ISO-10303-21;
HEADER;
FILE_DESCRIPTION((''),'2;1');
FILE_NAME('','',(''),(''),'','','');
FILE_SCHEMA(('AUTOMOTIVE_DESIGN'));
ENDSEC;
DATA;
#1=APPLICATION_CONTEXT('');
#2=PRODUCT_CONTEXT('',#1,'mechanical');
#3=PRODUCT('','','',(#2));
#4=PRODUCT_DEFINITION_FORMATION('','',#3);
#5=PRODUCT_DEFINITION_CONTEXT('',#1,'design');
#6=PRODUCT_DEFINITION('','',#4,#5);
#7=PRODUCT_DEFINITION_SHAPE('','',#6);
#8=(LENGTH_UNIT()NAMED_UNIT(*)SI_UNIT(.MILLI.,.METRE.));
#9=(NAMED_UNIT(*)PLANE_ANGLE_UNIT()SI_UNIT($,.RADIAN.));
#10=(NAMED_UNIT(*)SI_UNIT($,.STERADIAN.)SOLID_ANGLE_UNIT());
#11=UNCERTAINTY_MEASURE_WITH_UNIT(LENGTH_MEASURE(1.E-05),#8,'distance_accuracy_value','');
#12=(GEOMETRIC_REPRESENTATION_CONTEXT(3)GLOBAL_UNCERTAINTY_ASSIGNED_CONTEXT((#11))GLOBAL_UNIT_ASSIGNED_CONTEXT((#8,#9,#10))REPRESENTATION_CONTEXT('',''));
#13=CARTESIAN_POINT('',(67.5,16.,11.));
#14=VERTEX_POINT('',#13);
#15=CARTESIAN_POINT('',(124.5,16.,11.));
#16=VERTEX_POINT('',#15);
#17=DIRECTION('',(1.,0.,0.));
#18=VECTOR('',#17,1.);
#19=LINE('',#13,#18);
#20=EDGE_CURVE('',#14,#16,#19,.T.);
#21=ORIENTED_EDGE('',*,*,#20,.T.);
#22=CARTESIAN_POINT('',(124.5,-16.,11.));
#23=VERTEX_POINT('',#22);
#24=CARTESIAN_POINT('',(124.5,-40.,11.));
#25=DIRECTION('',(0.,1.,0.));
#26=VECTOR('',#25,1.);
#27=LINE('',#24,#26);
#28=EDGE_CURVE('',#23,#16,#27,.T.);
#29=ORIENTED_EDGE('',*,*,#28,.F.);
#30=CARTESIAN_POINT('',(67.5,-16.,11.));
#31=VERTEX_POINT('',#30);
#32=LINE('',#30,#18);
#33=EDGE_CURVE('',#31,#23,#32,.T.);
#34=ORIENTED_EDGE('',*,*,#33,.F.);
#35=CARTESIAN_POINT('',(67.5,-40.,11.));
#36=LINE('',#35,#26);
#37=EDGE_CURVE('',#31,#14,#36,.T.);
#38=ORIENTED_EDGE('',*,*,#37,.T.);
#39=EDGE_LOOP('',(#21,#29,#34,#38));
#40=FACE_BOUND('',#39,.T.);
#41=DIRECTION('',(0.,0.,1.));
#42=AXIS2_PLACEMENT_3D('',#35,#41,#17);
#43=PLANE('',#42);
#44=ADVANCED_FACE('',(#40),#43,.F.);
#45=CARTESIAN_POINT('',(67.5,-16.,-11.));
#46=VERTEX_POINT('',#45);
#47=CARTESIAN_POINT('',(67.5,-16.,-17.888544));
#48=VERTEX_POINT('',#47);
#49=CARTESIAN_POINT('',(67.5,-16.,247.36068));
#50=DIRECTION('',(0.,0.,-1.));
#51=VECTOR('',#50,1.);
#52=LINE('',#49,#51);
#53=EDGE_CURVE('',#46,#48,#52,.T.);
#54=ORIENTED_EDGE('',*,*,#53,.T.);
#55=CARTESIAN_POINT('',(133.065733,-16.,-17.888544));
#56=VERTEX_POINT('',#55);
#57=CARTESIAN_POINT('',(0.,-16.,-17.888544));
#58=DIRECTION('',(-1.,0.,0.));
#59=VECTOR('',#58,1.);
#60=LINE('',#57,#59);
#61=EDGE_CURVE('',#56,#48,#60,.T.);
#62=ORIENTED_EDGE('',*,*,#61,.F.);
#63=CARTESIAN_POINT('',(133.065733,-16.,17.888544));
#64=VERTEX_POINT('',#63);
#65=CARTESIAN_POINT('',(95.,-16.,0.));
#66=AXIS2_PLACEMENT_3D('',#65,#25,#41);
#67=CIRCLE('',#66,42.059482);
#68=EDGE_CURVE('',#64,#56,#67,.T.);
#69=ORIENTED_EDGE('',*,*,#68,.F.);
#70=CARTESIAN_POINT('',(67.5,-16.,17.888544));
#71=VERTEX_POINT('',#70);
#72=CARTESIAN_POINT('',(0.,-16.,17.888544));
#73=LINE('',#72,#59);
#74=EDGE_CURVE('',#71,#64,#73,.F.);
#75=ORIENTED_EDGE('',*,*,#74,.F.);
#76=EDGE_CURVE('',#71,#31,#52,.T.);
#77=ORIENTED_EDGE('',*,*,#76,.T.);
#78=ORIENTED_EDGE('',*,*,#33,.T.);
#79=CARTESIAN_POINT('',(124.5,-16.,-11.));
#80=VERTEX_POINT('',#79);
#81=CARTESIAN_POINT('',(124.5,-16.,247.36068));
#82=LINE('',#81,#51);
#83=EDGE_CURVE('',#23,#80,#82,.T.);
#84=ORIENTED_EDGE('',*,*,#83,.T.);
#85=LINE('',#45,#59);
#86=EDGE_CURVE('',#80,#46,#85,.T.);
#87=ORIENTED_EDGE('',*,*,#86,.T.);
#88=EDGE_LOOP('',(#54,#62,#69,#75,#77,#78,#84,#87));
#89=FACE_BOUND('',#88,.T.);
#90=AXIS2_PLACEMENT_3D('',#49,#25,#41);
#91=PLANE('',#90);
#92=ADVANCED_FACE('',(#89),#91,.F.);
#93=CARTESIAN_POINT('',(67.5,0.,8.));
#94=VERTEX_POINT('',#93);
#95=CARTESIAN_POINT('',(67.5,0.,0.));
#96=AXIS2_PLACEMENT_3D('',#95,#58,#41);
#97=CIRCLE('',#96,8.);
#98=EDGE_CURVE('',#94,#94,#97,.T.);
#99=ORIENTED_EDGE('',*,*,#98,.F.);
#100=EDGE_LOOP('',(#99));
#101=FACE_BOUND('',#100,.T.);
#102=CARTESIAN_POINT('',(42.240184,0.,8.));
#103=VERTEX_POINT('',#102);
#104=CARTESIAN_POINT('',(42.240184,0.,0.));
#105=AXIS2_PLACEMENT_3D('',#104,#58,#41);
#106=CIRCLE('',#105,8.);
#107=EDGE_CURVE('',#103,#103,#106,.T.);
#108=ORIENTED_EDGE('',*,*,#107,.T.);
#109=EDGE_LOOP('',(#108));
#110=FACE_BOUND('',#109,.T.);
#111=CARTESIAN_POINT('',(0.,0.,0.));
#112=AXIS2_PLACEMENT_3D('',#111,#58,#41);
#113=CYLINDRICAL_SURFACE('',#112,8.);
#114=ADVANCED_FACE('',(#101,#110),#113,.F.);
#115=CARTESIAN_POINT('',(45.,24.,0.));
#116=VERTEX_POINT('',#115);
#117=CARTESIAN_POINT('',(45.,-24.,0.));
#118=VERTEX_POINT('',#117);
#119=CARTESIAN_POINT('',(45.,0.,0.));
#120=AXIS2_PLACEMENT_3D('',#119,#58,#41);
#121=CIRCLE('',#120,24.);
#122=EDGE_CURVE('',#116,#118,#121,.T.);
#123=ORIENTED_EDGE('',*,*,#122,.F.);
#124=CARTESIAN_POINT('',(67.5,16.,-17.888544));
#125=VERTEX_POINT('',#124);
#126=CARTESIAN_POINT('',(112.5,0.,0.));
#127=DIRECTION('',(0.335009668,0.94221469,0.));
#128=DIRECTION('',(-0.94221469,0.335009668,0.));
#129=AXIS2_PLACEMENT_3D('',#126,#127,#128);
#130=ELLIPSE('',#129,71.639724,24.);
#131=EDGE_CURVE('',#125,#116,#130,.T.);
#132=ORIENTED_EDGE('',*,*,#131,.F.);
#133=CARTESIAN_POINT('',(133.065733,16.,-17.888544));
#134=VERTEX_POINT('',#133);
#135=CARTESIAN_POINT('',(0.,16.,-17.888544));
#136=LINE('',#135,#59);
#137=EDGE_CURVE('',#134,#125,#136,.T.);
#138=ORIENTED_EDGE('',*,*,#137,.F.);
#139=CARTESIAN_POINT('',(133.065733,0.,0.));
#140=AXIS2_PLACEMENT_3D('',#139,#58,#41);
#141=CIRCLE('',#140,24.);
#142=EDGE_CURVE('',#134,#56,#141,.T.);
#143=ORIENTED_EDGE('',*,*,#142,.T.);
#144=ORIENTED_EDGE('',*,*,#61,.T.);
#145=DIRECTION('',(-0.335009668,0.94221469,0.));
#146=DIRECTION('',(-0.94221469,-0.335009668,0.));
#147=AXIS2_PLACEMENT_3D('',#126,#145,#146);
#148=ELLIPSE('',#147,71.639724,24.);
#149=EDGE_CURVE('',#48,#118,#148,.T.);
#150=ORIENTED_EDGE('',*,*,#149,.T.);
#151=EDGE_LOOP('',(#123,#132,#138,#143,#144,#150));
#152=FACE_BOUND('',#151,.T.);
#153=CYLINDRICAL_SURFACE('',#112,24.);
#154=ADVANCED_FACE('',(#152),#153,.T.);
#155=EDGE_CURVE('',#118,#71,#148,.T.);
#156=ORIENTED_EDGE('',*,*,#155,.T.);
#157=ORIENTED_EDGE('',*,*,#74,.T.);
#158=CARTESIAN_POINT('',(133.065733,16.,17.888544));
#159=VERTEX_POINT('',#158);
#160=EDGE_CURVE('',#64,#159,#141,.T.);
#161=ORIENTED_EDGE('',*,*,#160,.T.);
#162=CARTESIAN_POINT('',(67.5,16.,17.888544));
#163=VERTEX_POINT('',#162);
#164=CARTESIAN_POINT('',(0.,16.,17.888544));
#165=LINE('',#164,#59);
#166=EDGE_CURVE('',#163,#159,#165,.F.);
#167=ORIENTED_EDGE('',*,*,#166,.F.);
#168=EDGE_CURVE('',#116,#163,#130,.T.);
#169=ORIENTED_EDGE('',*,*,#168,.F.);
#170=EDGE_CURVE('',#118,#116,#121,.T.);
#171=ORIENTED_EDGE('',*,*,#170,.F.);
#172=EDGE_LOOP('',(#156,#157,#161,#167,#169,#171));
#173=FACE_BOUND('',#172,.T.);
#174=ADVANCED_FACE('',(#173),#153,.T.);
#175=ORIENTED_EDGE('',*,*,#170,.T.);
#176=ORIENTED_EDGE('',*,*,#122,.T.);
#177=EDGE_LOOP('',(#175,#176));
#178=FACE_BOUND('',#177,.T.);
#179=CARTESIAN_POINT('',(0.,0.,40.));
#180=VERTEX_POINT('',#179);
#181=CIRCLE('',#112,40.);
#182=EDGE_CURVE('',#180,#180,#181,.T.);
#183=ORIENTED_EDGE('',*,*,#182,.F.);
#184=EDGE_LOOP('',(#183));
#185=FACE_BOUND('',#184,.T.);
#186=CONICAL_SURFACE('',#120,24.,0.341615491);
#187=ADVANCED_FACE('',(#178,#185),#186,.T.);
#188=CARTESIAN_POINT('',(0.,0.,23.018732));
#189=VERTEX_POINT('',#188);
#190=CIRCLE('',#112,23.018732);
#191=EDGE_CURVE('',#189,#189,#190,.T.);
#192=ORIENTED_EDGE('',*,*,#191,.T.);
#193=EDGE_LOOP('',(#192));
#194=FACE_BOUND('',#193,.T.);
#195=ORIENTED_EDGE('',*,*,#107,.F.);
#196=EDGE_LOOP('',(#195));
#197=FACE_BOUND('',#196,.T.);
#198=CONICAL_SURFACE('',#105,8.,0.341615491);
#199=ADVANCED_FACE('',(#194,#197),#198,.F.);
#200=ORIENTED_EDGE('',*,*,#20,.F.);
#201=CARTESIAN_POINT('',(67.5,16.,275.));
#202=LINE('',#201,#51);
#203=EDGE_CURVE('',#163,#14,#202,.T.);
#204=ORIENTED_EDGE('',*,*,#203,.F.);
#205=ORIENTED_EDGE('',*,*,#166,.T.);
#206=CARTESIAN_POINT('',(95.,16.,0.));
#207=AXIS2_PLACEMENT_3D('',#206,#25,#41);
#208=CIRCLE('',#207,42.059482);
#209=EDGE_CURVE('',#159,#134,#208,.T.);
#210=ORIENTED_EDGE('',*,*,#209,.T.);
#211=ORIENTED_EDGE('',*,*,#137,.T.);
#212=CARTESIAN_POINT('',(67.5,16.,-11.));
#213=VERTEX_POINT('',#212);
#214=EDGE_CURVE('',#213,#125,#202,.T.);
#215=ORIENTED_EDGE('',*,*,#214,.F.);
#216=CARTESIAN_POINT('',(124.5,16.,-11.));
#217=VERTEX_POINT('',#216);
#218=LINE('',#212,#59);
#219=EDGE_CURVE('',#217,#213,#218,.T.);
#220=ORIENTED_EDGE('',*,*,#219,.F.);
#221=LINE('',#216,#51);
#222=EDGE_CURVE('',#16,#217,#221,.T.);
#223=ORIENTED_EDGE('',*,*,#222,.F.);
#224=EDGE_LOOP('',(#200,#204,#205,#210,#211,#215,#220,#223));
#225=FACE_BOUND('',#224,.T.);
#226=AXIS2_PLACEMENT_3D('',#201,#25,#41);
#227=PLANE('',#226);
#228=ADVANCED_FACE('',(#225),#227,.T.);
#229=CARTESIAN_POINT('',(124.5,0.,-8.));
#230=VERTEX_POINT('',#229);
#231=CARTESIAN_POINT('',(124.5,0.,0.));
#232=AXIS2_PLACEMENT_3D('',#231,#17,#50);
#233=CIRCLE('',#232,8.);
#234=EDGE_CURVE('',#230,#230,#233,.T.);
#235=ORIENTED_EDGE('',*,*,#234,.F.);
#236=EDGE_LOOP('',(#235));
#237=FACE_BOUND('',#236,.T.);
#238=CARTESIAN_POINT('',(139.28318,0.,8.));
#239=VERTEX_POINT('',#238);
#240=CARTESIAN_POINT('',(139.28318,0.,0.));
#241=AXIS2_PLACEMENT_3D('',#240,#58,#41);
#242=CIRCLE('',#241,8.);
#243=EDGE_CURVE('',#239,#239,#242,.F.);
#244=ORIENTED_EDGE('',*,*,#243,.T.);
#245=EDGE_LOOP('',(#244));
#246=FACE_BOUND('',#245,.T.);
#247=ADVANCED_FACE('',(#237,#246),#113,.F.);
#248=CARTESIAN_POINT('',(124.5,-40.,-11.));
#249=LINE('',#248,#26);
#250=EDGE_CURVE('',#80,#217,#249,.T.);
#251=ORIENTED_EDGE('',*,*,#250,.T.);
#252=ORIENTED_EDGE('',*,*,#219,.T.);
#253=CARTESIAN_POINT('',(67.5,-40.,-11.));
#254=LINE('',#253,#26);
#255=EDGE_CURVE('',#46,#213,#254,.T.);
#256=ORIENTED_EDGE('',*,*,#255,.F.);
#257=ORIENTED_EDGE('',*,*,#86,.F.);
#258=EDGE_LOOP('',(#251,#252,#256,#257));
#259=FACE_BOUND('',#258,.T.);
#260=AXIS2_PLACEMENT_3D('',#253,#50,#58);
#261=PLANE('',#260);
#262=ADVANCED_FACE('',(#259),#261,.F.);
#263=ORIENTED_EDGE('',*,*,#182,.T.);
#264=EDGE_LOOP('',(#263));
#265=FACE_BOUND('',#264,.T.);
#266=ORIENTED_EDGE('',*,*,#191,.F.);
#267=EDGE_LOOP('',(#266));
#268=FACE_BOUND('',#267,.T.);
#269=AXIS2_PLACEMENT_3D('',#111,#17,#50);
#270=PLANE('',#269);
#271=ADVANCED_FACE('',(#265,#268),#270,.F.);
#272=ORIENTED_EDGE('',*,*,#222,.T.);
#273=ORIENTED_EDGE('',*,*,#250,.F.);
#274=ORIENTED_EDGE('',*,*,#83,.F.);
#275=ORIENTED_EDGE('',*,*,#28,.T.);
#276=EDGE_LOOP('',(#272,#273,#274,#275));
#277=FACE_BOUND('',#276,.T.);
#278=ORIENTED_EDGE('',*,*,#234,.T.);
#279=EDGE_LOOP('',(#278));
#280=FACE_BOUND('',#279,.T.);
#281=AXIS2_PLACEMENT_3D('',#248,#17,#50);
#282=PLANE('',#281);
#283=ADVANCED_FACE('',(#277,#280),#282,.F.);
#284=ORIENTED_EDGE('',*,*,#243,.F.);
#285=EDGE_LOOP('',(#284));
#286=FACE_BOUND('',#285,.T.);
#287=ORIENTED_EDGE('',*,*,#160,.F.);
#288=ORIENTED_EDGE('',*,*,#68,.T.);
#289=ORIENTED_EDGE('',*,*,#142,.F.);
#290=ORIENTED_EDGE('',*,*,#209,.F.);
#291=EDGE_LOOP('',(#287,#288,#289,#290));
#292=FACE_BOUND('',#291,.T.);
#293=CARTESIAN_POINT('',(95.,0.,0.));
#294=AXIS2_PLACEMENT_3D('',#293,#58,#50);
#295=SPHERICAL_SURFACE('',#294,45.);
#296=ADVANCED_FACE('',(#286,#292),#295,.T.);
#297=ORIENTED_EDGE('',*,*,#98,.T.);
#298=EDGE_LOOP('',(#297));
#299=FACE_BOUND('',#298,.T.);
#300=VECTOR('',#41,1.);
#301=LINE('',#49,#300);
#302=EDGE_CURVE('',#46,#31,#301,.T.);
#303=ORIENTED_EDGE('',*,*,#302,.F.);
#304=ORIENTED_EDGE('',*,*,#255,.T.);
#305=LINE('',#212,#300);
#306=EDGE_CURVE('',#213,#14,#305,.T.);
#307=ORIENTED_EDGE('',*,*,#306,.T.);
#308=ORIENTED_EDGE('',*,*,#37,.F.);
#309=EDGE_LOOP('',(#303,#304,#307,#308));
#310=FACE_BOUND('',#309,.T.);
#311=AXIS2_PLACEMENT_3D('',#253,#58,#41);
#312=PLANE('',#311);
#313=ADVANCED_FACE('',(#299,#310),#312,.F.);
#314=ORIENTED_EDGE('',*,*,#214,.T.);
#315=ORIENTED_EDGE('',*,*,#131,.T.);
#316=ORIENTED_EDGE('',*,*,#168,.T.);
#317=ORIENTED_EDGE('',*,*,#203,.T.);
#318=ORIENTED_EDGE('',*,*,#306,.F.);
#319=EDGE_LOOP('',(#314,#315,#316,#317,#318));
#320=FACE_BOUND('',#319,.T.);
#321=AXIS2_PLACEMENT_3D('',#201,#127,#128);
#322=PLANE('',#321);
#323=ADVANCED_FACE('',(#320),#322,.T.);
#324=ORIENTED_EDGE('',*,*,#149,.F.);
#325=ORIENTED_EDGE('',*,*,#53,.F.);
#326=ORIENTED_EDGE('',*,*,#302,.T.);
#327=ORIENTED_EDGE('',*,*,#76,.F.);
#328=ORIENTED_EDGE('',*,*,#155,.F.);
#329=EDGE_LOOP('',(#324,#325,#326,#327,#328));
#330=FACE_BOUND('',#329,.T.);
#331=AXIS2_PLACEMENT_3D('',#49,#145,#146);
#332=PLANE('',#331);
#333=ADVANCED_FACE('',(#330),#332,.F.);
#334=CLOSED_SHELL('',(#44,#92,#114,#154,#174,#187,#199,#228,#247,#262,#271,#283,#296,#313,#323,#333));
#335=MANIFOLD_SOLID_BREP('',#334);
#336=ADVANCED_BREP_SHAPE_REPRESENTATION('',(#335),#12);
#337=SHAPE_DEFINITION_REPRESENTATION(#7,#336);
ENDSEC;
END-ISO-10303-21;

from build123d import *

# Parameters (mm, degrees)
CUT_EXTRUDE1_DEPTH = 151.996688705
SKETCH4_W          = 57
SKETCH4_H          = 22
CUT_EXTRUDE2_DEPTH = 156.357021604


with BuildPart() as part:
    # Sketch1 → Revolve1 (revolve)
    with BuildSketch(Plane(origin=(0, 0, 0), x_dir=(1, 0, 0), z_dir=(0, 1, 0)), mode=Mode.PRIVATE) as revolve1_sk:
        with BuildLine():
            Line((0, 0), (0, 40))
            Line((0, 40), (45, 24))
            Line((45, 24), (133.065732621, 24))
            ThreePointArc((133.065732621, 24), (138.23168958, 12.490837283), (140, 0))
            Line((140, 0), (0, 0))
        make_face()
    revolve(revolve1_sk.sketch.rotate(Axis((0, 0, 0), (1, 0, 0)), 180), axis=Axis((0, 0, 0), (1, 0, 0)))

    # Sketch2 → Cut-Extrude1 (cut, symmetric)
    with BuildSketch(Plane.XY):
        Polygon((469.549791622, 16), (137.05948169, 16), (67.5, 16), (0, 40), (-313.277254393, 151.387468229), (-199.953261752, 806.640776108), (582.873784263, 671.253307879), align=None)
    cut_extrude1 = extrude(amount=CUT_EXTRUDE1_DEPTH, both=True, mode=Mode.SUBTRACT)

    # Mirror1: Cut-Extrude1 across plane
    add(cut_extrude1.mirror(Plane.ZX), mode=Mode.SUBTRACT)

    # Sketch3 → Cut-Revolve2 (revolve, cut)
    with BuildSketch(Plane(origin=(0, 0, 0), x_dir=(1, 0, 0), z_dir=(0, 1, 0)), mode=Mode.PRIVATE) as cut_revolve2_sk:
        Polygon((0, 23.01873218), (0, 0), (140, 0), (140, 8), (42.240184255, 8), align=None)
    revolve(cut_revolve2_sk.sketch.rotate(Axis((0, 0, 0), (1, 0, 0)), 180), axis=Axis((0, 0, 0), (1, 0, 0)), mode=Mode.SUBTRACT)

    # Sketch4 → Cut-Extrude2 (cut, through all)
    with BuildSketch(Plane(origin=(0, 16, 0), x_dir=(1, 0, 0), z_dir=(0, 1, 0))):
        with Locations((96, 0)):
            Rectangle(SKETCH4_W, SKETCH4_H)
    extrude(amount=-CUT_EXTRUDE2_DEPTH, mode=Mode.SUBTRACT)


solid = part.part
